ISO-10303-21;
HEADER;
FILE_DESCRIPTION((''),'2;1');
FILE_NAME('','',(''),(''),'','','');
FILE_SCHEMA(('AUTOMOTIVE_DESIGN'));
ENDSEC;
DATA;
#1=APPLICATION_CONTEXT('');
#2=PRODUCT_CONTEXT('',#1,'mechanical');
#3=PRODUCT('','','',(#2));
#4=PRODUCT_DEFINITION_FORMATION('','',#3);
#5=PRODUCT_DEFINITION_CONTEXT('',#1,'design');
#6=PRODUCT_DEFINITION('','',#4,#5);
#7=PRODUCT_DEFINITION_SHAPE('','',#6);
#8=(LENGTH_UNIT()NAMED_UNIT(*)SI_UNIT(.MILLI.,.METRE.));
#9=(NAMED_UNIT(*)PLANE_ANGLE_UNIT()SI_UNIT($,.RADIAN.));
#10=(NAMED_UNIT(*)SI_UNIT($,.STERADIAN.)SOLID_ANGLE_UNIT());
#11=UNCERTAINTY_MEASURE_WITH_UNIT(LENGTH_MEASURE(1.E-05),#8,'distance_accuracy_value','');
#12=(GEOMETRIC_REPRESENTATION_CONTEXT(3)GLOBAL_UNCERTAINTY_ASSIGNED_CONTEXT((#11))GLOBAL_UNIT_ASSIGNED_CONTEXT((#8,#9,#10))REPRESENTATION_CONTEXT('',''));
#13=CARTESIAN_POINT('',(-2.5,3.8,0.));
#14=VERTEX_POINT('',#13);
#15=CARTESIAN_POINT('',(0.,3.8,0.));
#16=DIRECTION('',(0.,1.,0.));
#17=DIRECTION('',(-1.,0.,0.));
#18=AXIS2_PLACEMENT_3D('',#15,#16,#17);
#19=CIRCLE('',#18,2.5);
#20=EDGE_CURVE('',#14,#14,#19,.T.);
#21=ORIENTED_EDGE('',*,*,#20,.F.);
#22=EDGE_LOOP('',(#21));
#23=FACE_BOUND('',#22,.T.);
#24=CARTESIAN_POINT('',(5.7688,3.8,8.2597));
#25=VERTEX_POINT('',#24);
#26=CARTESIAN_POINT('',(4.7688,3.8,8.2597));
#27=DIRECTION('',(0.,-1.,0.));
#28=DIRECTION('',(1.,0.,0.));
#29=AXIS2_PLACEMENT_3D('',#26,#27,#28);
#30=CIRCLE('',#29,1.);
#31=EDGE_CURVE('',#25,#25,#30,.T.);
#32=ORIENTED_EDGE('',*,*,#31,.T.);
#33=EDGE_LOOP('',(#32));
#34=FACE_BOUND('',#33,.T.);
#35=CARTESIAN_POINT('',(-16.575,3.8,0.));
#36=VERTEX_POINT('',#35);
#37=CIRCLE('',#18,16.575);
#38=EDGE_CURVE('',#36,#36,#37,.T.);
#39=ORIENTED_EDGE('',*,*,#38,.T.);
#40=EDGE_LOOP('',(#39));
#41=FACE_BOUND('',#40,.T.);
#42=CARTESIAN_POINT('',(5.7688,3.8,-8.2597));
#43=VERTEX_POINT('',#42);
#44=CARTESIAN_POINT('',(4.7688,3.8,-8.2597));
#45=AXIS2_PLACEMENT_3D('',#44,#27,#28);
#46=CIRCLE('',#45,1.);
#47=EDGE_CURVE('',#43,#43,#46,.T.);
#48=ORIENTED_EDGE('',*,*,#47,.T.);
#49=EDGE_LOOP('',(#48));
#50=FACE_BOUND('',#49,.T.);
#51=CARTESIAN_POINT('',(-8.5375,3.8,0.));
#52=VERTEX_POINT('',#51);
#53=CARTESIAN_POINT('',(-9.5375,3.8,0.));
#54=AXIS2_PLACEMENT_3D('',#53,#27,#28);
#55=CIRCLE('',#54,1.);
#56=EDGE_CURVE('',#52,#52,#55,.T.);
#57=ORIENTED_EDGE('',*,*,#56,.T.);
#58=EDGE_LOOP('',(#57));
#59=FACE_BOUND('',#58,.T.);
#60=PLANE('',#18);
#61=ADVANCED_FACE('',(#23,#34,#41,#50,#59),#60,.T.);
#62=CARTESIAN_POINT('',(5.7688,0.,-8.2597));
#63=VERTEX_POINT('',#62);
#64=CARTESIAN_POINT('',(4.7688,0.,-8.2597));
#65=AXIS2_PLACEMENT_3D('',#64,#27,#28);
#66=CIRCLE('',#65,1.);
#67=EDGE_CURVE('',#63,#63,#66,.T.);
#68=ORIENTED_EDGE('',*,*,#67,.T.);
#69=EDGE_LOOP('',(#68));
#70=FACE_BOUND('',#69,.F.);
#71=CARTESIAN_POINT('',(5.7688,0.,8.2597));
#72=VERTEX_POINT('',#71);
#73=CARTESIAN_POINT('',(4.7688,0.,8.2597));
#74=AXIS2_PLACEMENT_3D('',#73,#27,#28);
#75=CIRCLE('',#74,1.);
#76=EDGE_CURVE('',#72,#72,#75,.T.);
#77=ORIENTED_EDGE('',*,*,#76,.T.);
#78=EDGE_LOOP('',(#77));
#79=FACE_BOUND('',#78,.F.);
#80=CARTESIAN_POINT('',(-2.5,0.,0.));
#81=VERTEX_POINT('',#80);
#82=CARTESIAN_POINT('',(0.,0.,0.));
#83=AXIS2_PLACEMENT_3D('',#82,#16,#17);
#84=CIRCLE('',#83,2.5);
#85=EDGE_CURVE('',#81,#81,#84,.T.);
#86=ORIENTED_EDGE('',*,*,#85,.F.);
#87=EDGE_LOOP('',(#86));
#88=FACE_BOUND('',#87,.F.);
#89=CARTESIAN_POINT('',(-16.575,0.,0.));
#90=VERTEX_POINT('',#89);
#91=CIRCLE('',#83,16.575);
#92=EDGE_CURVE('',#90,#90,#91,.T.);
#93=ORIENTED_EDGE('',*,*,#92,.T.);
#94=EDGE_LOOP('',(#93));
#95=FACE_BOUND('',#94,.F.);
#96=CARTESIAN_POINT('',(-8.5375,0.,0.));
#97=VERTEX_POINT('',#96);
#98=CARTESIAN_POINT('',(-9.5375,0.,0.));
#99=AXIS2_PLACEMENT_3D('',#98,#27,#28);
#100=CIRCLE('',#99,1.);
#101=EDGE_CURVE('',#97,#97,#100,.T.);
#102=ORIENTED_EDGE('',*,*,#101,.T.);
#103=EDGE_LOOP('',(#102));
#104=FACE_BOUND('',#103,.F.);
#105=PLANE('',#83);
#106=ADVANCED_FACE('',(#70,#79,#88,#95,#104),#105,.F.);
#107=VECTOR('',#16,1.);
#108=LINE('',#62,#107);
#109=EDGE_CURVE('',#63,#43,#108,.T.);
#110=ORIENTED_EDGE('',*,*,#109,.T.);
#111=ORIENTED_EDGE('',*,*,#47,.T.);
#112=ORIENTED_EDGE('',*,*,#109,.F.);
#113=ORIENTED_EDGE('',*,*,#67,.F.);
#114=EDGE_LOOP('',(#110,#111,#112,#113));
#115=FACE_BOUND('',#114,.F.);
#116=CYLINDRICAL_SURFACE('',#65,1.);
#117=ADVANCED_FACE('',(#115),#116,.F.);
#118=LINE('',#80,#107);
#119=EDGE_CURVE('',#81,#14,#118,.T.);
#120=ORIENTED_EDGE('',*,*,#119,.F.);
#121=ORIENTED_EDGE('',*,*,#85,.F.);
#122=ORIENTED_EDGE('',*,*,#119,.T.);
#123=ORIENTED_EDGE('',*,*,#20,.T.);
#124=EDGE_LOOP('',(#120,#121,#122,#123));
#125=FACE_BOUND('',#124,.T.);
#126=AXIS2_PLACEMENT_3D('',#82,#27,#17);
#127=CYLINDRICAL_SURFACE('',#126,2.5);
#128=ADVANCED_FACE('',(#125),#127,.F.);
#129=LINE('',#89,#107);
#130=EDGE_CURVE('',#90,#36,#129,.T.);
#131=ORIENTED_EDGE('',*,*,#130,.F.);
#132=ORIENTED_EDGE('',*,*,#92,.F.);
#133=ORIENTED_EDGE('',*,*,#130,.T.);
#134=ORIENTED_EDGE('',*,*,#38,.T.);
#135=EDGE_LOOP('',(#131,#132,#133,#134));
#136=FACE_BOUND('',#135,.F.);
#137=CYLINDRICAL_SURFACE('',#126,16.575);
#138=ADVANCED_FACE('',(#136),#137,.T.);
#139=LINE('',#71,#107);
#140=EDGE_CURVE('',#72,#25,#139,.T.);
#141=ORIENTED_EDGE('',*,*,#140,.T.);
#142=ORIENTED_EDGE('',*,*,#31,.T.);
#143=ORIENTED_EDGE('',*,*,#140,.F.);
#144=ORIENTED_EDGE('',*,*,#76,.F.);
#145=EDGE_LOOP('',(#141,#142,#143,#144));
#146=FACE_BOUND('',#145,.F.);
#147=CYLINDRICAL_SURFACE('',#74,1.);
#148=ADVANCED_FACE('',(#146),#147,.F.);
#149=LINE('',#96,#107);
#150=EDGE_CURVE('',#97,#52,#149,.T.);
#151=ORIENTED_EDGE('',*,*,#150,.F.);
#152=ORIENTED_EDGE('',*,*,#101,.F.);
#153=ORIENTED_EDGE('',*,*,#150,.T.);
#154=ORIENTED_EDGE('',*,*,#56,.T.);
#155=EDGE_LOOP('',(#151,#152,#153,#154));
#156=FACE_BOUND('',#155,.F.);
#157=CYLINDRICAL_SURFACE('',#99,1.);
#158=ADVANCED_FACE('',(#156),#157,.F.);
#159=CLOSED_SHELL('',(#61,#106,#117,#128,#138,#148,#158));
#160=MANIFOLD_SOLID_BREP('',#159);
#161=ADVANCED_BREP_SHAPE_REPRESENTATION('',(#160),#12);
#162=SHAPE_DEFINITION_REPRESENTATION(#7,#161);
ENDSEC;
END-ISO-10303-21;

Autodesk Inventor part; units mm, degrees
ref_plane "YZ Plane" through (0, 0, 0) normal (1, 0, 0) x (0, 1, 0)
ref_plane "XZ Plane" through (0, 0, 0) normal (0, 1, 0) x (-1, 0, 0)
ref_plane "XY Plane" through (0, 0, 0) normal (0, 0, 1) x (1, 0, 0)
sketch "Sketch1" plane through (0, 0, 0) normal (0, 1, 0) x (-1, 0, 0)
  circle A0 centre (0, 0) radius 16.575
  circle A1 centre (0, 0) radius 2.5
  dimension "d0" = 33.15
  dimension "d1" = 5
extrude "Extrusion1" add sketch "Sketch1" along normal blind 3.8
sketch "Sketch2" plane through (0, 3.8, 0) normal (0, 1, 0) x (1, 0, 0)
  circle A0 centre (0, 0) radius 2.5 projected
  circle A1 centre (0, 0) radius 16.575 projected
  line L0 (-2.5, 0) -> (-16.575, 0)
  circle A2 centre (-9.5375, 0) radius 1.5
  line L1 (0, 0) -> (16.575, 0) construction
  line L2 (0, 0) -> (16.575, 0) construction
  circle A3 centre (4.7688, 8.2597) radius 1.5
  circle A4 centre (4.7688, -8.2597) radius 1.5
  dimension "d4" = 3
  dimension "d7" = 3
  dimension "d8" = 3
extrude "Extrusion2" cut sketch "Sketch2" against normal blind 3.8 contours A2 L0 | L0 A2 | A3 | A4
sketch "Sketch3" plane through (0, 0, 0) normal (0, -1, 0) x (1, 0, 0)
  circle A0 centre (4.7688, -8.2597) radius 1.5 projected
  circle A1 centre (-9.5375, 0) radius 1.5 projected
  circle A2 centre (4.7688, 8.2597) radius 1.5 projected
  circle A3 centre (-9.5375, 0) radius 1
  circle A4 centre (4.7688, 8.2597) radius 1
  circle A5 centre (4.7688, -8.2597) radius 1
  dimension "d11" = 2
  dimension "d12" = 2
  dimension "d13" = 2
extrude "Extrusion3" add sketch "Sketch3" against normal blind 3.8
properties part number "kolecko_rameno(3)"
